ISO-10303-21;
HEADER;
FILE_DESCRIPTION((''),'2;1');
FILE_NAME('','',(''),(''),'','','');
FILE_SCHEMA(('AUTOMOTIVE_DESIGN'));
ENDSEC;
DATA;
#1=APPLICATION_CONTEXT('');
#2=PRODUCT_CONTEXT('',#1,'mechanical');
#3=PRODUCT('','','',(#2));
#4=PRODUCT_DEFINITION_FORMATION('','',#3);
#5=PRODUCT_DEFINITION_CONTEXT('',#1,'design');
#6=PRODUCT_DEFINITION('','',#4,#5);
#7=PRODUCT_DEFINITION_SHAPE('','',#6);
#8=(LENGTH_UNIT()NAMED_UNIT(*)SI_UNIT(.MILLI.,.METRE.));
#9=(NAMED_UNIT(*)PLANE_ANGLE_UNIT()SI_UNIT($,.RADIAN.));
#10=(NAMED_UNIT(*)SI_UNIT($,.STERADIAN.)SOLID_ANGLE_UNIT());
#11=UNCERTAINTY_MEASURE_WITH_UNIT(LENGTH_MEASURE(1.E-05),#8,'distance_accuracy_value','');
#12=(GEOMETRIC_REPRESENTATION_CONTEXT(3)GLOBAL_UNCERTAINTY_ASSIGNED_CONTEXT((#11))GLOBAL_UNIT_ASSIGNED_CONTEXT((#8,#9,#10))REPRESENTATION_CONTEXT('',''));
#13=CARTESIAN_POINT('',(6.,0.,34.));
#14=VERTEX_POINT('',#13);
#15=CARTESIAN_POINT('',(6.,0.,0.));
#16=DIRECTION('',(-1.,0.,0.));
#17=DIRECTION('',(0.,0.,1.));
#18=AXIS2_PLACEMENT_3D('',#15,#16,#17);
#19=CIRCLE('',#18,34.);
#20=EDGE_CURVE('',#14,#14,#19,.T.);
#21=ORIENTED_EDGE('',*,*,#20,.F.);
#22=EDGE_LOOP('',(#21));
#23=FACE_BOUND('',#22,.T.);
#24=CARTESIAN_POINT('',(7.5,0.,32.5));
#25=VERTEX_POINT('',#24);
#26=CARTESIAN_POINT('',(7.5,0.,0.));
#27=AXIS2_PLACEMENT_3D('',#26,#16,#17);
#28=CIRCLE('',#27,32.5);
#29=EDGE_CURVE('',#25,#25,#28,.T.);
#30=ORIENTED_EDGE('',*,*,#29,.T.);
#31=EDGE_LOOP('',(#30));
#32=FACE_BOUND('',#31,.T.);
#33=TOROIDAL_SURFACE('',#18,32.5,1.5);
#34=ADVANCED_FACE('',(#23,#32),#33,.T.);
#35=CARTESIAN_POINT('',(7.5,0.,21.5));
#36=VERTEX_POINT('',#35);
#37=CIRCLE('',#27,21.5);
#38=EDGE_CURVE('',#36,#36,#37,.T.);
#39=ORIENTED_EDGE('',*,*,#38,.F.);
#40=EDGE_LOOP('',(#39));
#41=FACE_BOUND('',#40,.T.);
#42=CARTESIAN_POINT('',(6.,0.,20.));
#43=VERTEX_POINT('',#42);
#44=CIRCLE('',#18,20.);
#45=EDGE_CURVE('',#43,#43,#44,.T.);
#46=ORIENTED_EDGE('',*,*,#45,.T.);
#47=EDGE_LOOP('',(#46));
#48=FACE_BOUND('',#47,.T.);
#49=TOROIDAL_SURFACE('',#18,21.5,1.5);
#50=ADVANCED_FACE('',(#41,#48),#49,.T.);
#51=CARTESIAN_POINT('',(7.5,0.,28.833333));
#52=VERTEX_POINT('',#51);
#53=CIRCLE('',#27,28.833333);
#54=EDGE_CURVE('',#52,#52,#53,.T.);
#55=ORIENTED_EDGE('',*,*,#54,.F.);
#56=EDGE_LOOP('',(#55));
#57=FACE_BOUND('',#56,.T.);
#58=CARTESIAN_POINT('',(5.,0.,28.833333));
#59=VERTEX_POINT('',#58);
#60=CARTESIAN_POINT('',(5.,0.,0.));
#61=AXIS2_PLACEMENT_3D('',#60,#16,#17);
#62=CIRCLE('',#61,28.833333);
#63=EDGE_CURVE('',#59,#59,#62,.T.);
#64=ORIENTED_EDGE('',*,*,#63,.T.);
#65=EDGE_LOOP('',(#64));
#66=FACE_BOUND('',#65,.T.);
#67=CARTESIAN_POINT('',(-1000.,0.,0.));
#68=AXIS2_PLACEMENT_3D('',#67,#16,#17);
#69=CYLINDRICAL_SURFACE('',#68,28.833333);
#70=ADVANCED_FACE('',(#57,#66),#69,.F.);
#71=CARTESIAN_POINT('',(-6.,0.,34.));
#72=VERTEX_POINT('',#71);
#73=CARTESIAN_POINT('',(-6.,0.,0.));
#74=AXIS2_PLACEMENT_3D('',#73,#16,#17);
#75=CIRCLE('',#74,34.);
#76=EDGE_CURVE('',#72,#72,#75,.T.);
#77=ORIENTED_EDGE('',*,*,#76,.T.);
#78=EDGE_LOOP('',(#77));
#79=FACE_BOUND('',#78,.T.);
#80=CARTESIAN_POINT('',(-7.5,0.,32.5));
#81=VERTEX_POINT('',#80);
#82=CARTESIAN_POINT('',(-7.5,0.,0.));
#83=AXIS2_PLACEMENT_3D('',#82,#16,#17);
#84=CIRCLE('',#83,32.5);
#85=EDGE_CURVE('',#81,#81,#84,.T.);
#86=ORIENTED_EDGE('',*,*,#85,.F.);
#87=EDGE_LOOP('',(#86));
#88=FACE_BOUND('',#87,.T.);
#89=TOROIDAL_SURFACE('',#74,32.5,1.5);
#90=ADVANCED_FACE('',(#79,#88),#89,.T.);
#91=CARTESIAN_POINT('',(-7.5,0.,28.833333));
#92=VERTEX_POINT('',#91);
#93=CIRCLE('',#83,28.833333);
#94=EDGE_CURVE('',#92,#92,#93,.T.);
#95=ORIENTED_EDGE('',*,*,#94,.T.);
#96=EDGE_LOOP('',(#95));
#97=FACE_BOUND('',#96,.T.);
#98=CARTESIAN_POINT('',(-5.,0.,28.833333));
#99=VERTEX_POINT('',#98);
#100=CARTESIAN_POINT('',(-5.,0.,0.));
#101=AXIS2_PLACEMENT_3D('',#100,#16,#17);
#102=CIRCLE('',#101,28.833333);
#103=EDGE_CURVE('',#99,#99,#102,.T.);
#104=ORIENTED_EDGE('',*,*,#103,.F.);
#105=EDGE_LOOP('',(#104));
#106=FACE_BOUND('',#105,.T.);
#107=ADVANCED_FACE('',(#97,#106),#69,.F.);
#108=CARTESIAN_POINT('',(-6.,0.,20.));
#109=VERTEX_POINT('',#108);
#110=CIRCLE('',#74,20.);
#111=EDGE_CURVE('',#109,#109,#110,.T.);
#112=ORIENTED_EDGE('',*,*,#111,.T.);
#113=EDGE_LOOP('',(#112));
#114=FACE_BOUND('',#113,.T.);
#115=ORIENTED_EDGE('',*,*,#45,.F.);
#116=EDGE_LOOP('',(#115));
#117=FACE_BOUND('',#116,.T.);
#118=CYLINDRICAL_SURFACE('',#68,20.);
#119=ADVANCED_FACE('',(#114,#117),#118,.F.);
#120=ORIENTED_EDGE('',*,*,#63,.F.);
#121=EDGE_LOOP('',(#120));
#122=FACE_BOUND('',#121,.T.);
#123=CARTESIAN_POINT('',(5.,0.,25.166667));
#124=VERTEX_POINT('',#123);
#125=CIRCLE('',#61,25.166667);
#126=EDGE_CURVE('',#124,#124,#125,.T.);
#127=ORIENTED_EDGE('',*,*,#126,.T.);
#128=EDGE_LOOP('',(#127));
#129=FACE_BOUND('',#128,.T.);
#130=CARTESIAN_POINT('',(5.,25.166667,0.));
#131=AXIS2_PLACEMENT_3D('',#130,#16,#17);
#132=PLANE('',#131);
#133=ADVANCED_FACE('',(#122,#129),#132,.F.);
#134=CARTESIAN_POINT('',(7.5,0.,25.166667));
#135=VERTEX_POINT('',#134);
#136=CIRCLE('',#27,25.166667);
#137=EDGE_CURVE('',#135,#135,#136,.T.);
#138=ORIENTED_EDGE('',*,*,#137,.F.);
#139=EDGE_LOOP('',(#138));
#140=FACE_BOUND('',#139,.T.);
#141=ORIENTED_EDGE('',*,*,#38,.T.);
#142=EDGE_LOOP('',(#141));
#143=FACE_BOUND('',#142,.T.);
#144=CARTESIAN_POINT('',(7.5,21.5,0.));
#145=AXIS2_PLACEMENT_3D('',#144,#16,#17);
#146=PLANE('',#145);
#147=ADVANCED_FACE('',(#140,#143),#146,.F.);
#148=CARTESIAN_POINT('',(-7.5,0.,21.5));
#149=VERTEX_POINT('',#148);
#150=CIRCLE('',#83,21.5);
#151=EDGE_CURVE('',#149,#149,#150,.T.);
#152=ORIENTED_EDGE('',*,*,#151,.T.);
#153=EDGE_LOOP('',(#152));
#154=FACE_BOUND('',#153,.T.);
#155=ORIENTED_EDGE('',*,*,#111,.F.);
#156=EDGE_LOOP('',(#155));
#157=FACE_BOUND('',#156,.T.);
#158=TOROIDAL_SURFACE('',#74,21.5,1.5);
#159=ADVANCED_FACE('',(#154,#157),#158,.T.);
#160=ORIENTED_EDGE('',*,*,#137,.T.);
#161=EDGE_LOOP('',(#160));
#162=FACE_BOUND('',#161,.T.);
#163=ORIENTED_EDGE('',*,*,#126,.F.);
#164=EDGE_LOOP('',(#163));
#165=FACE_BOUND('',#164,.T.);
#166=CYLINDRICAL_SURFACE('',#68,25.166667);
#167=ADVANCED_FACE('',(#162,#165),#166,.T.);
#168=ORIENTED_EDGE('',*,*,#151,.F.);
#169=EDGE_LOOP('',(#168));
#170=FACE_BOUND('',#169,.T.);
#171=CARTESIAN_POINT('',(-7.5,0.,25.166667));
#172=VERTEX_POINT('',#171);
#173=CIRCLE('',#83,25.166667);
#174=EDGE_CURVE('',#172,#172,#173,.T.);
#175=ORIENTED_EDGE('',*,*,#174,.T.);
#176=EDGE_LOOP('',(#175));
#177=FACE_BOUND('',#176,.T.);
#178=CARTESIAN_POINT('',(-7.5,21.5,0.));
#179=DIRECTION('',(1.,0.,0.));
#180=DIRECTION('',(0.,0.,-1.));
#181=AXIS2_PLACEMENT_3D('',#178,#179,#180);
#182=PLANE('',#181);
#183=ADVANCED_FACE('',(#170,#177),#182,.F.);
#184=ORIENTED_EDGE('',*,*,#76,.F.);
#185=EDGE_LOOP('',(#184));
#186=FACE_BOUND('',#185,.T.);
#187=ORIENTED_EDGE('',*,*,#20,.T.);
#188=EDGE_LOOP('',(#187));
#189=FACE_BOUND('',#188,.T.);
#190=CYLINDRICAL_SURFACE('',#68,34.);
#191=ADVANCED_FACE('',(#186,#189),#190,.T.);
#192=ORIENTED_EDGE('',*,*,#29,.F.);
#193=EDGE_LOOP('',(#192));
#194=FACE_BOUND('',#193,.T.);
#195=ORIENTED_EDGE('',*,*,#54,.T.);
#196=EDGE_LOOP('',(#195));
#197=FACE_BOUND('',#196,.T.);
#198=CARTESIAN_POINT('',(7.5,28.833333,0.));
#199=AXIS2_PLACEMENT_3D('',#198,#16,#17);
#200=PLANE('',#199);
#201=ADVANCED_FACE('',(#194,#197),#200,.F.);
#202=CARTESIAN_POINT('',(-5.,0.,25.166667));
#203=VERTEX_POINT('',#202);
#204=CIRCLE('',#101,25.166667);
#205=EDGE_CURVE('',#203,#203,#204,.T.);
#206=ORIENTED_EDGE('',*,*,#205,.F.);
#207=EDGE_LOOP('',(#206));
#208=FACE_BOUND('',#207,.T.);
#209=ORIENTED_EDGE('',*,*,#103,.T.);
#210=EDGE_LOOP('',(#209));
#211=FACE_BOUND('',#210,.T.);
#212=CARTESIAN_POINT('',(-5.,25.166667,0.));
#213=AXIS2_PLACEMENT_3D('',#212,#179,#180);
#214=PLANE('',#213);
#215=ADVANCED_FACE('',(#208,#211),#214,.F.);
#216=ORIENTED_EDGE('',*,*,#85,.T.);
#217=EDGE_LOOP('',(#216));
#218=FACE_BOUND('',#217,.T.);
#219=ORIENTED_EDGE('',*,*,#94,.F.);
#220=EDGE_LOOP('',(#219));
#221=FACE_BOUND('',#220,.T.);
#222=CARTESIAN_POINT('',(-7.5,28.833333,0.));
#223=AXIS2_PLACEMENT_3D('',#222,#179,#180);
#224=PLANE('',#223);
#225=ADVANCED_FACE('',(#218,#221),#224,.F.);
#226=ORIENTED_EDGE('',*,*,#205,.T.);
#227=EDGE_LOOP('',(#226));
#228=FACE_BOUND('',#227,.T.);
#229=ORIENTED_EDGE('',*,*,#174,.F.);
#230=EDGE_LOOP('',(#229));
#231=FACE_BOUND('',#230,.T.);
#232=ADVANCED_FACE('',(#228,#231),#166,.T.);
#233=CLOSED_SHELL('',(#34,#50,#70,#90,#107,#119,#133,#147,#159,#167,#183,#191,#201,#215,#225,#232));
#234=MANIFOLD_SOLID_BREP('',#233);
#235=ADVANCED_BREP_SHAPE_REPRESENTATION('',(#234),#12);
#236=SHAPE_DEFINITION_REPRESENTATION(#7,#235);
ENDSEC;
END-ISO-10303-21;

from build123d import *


with BuildPart() as part:
    # Эскиз1 → Повернуть1 (revolve)
    with BuildSketch(Plane.XY, mode=Mode.PRIVATE) as revolve_1_sk:
        with BuildLine():
            Line((6, 20), (-6, 20))
            ThreePointArc((-6, 20), (-7.060660172, 20.439339828), (-7.5, 21.5))
            Line((-7.5, 21.5), (-7.5, 25.166666667))
            Line((-7.5, 25.166666667), (-5, 25.166666667))
            Line((-5, 25.166666667), (-5, 28.833333333))
            Line((-5, 28.833333333), (-7.5, 28.833333333))
            Line((-7.5, 28.833333333), (-7.5, 32.5))
            ThreePointArc((-7.5, 32.5), (-7.060660172, 33.560660172), (-6, 34))
            Line((-6, 34), (6, 34))
            ThreePointArc((6, 34), (7.060660172, 33.560660172), (7.5, 32.5))
            Line((7.5, 32.5), (7.5, 28.833333333))
            Line((7.5, 28.833333333), (5, 28.833333333))
            Line((5, 28.833333333), (5, 25.166666667))
            Line((5, 25.166666667), (7.5, 25.166666667))
            Line((7.5, 25.166666667), (7.5, 21.5))
            ThreePointArc((7.5, 21.5), (7.060660172, 20.439339828), (6, 20))
        make_face()
    revolve(revolve_1_sk.sketch.rotate(Axis((-1000, 0, 0), (1, 0, 0)), 90), axis=Axis((-1000, 0, 0), (1, 0, 0)))


solid = part.part
